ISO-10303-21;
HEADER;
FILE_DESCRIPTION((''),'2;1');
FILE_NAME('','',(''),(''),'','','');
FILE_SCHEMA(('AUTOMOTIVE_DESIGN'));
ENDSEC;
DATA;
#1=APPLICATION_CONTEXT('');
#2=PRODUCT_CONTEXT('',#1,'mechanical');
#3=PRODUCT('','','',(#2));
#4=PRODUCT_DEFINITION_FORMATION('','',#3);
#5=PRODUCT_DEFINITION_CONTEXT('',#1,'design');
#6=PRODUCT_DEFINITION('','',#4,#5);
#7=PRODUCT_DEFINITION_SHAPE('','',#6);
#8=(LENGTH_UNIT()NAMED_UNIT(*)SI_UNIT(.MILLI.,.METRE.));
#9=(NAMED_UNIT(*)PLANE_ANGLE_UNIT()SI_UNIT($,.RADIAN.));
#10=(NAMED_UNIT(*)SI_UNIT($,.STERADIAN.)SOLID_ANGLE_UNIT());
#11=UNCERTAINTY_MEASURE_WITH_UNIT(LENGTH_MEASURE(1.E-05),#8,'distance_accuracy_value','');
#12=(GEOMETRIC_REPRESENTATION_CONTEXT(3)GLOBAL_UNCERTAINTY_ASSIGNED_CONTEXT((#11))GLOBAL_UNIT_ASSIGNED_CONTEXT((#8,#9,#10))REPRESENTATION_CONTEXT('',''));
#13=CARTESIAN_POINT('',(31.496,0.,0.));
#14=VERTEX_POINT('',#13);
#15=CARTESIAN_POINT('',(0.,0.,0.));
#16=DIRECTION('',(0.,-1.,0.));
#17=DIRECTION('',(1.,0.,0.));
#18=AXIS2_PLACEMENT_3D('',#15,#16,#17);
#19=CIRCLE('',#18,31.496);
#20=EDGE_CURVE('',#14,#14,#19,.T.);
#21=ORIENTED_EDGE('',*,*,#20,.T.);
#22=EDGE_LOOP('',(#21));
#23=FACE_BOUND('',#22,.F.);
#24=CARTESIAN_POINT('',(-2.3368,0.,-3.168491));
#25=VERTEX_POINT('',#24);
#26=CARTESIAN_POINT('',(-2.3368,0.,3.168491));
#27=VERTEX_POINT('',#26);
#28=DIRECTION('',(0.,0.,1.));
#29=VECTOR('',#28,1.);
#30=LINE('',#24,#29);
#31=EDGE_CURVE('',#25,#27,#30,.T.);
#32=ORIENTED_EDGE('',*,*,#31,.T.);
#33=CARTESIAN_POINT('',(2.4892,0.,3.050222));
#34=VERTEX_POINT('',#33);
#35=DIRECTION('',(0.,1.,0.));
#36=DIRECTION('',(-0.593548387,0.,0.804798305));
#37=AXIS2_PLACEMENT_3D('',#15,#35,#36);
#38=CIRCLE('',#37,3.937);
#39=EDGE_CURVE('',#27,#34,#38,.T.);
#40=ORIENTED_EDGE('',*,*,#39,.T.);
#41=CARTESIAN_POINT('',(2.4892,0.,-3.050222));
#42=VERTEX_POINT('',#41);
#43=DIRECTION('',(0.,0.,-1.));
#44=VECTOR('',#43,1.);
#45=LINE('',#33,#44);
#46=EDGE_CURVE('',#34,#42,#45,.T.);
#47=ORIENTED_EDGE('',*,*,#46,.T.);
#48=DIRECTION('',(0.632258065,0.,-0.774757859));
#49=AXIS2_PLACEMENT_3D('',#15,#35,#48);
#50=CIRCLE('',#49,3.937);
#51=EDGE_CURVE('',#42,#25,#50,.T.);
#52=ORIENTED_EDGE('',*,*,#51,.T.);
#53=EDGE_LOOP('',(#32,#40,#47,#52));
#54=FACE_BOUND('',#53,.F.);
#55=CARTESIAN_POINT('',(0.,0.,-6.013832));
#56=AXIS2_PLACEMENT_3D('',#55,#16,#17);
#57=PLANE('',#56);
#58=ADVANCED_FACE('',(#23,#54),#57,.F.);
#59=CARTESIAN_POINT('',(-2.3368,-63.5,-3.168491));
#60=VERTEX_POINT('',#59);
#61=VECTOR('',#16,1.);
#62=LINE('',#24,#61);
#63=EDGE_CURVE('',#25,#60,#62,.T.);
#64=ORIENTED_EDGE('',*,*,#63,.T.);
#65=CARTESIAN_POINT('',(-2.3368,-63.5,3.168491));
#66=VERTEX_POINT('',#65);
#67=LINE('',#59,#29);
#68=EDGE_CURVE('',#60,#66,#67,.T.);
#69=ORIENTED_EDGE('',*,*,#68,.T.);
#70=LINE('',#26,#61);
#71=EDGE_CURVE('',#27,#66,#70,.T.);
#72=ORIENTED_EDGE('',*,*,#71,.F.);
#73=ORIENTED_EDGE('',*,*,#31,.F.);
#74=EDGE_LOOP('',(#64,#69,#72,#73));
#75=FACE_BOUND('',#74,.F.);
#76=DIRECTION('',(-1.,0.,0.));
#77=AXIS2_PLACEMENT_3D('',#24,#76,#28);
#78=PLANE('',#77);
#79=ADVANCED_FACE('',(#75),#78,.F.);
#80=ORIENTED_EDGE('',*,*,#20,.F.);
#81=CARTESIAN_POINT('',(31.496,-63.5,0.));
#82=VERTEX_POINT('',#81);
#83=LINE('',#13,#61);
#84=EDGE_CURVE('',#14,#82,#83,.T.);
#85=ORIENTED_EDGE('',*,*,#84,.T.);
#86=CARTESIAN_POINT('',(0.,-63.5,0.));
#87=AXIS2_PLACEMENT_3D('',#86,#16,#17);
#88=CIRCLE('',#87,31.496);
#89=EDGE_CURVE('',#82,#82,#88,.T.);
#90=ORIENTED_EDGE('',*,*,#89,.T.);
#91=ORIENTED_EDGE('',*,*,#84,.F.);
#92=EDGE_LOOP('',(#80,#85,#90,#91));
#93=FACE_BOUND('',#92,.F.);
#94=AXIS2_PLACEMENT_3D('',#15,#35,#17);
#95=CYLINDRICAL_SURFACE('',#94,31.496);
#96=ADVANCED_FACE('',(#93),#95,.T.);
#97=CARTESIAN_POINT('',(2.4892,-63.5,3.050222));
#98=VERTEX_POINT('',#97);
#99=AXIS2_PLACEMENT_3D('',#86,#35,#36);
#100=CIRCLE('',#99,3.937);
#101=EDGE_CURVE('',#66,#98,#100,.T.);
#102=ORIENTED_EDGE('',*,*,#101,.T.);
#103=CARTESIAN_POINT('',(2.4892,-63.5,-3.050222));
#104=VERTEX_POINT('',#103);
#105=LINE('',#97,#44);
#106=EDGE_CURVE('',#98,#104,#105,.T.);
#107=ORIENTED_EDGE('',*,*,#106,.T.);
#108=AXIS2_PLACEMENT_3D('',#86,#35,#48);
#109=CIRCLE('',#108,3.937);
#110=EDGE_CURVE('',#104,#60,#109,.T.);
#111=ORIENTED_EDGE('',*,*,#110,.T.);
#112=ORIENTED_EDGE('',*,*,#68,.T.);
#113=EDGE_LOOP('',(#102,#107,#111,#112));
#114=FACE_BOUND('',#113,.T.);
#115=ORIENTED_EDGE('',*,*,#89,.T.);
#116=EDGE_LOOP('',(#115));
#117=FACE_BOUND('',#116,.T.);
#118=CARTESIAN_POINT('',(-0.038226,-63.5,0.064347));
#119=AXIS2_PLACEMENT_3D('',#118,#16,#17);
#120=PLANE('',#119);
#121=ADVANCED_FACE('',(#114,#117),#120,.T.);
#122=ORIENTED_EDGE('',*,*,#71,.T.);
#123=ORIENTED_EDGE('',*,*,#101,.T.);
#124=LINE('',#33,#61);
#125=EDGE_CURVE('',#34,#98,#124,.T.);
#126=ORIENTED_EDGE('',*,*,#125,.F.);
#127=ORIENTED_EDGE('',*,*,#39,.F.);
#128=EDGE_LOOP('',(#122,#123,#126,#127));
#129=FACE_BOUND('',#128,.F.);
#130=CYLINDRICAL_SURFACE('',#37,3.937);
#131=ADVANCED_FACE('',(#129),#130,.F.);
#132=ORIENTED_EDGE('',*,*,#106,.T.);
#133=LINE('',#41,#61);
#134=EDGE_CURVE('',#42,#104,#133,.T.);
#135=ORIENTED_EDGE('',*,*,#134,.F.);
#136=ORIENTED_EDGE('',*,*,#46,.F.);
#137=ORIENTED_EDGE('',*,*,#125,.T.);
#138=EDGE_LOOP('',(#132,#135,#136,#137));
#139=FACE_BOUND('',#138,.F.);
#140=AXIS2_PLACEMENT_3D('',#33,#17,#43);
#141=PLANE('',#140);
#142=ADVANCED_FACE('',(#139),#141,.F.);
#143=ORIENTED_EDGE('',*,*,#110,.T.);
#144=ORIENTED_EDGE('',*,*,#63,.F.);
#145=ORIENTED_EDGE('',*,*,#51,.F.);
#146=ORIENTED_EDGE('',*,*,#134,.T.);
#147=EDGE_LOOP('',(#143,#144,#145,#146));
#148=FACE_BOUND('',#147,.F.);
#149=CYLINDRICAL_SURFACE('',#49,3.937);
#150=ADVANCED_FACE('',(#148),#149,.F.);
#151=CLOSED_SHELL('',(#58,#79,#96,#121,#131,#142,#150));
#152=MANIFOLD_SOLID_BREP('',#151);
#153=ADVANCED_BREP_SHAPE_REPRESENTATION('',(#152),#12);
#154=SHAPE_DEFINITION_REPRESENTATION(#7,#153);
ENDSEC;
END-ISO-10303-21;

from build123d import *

# Parameters (mm, degrees)
F0_R     = 31.496
F1_DEPTH = 63.5
F2_DEPTH = 63.5
F3_DEPTH = 63.5


with BuildPart() as f1:
    # F0 (on Front) → F1 (new body)
    with BuildSketch(Plane.XZ):
        Circle(F0_R)
        with BuildLine():
            ThreePointArc((26.416, 0), (26.1371583003, -3.8280559015), (25.306519989, -7.5752955087))
            ThreePointArc((25.306519989, -7.5752955087), (22.8769270664, -13.208), (19.2136583462, -18.1284414375))
            ThreePointArc((19.2136583462, -18.1284414375), (0, -26.416), (-19.2136583462, -18.1284414375))
            ThreePointArc((-19.2136583462, -18.1284414375), (-22.9056297562, -13.1581602617), (-25.3392663756, -7.4650274981))
            ThreePointArc((-25.3392663756, -7.4650274981), (-22.8481158541, 13.2577772615), (-6.0928613417, 25.7037370176))
            ThreePointArc((-6.0928613417, 25.7037370176), (-4.8286381359, 25.9709320155), (-3.5528613417, 26.175985794))
            ThreePointArc((-3.5528613417, 26.175985794), (17.3774663113, 19.8954447199), (26.416, 0))
        make_face(mode=Mode.SUBTRACT)
    extrude(amount=F1_DEPTH)



with BuildPart() as f2:
    # F0 (on Front) → F2 (new body)
    with BuildSketch(Plane.XZ):
        with BuildLine():
            ThreePointArc((2.8770503286, -5.3743648375), (5.2297091125, -3.1323088287), (6.096, 0))
            ThreePointArc((6.096, 0), (5.3275135744, 2.9629065315), (3.2158113142, 5.1787810913))
            ThreePointArc((3.2158113142, 5.1787810913), (0.013272421, 6.0959855514), (-3.1932300386, 5.1927351098))
            ThreePointArc((-3.1932300386, 5.1927351098), (-3.3751638093, 5.0763653592), (-3.5528613417, 4.9536241568))
            ThreePointArc((-3.5528613417, 4.9536241568), (-5.3777045607, 2.8708029639), (-6.0928613417, 0.1955931265))
            ThreePointArc((-6.0928613417, 0.1955931265), (-5.2792932077, -3.0479959361), (-2.8770503286, -5.3743648375))
            ThreePointArc((-2.8770503286, -5.3743648375), (0, -6.096), (2.8770503286, -5.3743648375))
        make_face()
        with BuildLine():
            ThreePointArc((2.4892, 3.0502216903), (3.5566802921, 1.6881926134), (3.937, 0))
            ThreePointArc((3.937, 0), (3.5566802921, -1.6881926134), (2.4892, -3.0502216903))
            ThreePointArc((2.4892, -3.0502216903), (0.0964538394, -3.9358182957), (-2.3368, -3.1684909279))
            ThreePointArc((-2.3368, -3.1684909279), (-3.937, 0), (-2.3368, 3.1684909279))
            ThreePointArc((-2.3368, 3.1684909279), (0.0964538394, 3.9358182957), (2.4892, 3.0502216903))
        make_face(mode=Mode.SUBTRACT)
        with BuildLine():
            Line((-2.3368, -3.1684909279), (-2.3368, 3.1684909279))
            ThreePointArc((-2.3368, 3.1684909279), (-3.937, 0), (-2.3368, -3.1684909279))
        make_face()
        with BuildLine():
            ThreePointArc((2.4892, -3.0502216903), (3.5566802921, -1.6881926134), (3.937, 0))
            ThreePointArc((3.937, 0), (3.5566802921, 1.6881926134), (2.4892, 3.0502216903))
            Line((2.4892, 3.0502216903), (2.4892, -3.0502216903))
        make_face()
    extrude(amount=F2_DEPTH)


with BuildPart() as f1_1:
    add(f1.part)

    add(f2.part)  # F3 merges F2
    # F0 (on Front) → F3 (join)
    with BuildSketch(Plane.XZ):
        with BuildLine():
            Line((0, -7.0354306192), (2.8770503286, -5.3743648375))
            ThreePointArc((2.8770503286, -5.3743648375), (0, -6.096), (-2.8770503286, -5.3743648375))
            Line((-2.8770503286, -5.3743648375), (0, -7.0354306192))
        make_face()
        with BuildLine():
            Line((0, -7.0354306192), (-2.8770503286, -5.3743648375))
            ThreePointArc((-2.8770503286, -5.3743648375), (-5.2792932077, -3.0479959361), (-6.0928613417, 0.1955931265))
            Line((-6.0928613417, 0.1955931265), (-6.0928613417, 3.5354252361))
            Line((-6.0928613417, 3.5354252361), (-25.3392663756, -7.4650274981))
            ThreePointArc((-25.3392663756, -7.4650274981), (-22.9056297562, -13.1581602617), (-19.2136583462, -18.1284414375))
            Line((-19.2136583462, -18.1284414375), (0, -7.0354306192))
        make_face()
        with BuildLine():
            ThreePointArc((3.2158113142, 5.1787810913), (5.3275135744, 2.9629065315), (6.096, 0))
            ThreePointArc((6.096, 0), (5.2297091125, -3.1323088287), (2.8770503286, -5.3743648375))
            Line((2.8770503286, -5.3743648375), (0, -7.0354306192))
            Line((0, -7.0354306192), (19.2136583462, -18.1284414375))
            ThreePointArc((19.2136583462, -18.1284414375), (22.8769270664, -13.208), (25.306519989, -7.5752955087))
            Line((25.306519989, -7.5752955087), (3.2158113142, 5.1787810913))
        make_face()
        with BuildLine():
            ThreePointArc((-6.0928613417, 0.1955931265), (-5.3777045607, 2.8708029639), (-3.5528613417, 4.9536241568))
            Line((-3.5528613417, 4.9536241568), (-3.5528613417, 4.9871846631))
            Line((-3.5528613417, 4.9871846631), (-6.0928613417, 3.5354252361))
            Line((-6.0928613417, 3.5354252361), (-6.0928613417, 0.1955931265))
        make_face()
        with BuildLine():
            Line((-6.0928613417, 3.5354252361), (-3.5528613417, 4.9871846631))
            Line((-3.5528613417, 4.9871846631), (-3.5528613417, 26.175985794))
            ThreePointArc((-3.5528613417, 26.175985794), (-4.8286381359, 25.9709320155), (-6.0928613417, 25.7037370176))
            Line((-6.0928613417, 25.7037370176), (-6.0928613417, 3.5354252361))
        make_face()
        with BuildLine():
            Line((-25.3392663756, -7.4650274981), (-6.0928613417, 3.5354252361))
            Line((-6.0928613417, 3.5354252361), (-6.0928613417, 25.7037370176))
            ThreePointArc((-6.0928613417, 25.7037370176), (-22.8481158541, 13.2577772615), (-25.3392663756, -7.4650274981))
        make_face()
        with BuildLine():
            ThreePointArc((-3.1932300386, 5.1927351098), (0.013272421, 6.0959855514), (3.2158113142, 5.1787810913))
            Line((3.2158113142, 5.1787810913), (25.306519989, -7.5752955087))
            ThreePointArc((25.306519989, -7.5752955087), (26.1371583003, -3.8280559015), (26.416, 0))
            ThreePointArc((26.416, 0), (17.3774663113, 19.8954447199), (-3.5528613417, 26.175985794))
            Line((-3.5528613417, 26.175985794), (-3.5528613417, 4.9871846631))
            Line((-3.5528613417, 4.9871846631), (-3.1932300386, 5.1927351098))
        make_face()
        with BuildLine():
            ThreePointArc((-3.5528613417, 4.9536241568), (-3.3751638093, 5.0763653592), (-3.1932300386, 5.1927351098))
            Line((-3.1932300386, 5.1927351098), (-3.5528613417, 4.9871846631))
            Line((-3.5528613417, 4.9871846631), (-3.5528613417, 4.9536241568))
        make_face()
        with BuildLine():
            Line((19.2136583462, -18.1284414375), (0, -7.0354306192))
            Line((0, -7.0354306192), (-19.2136583462, -18.1284414375))
            ThreePointArc((-19.2136583462, -18.1284414375), (0, -26.416), (19.2136583462, -18.1284414375))
        make_face()
    extrude(amount=F3_DEPTH)


solid = f1_1.part
